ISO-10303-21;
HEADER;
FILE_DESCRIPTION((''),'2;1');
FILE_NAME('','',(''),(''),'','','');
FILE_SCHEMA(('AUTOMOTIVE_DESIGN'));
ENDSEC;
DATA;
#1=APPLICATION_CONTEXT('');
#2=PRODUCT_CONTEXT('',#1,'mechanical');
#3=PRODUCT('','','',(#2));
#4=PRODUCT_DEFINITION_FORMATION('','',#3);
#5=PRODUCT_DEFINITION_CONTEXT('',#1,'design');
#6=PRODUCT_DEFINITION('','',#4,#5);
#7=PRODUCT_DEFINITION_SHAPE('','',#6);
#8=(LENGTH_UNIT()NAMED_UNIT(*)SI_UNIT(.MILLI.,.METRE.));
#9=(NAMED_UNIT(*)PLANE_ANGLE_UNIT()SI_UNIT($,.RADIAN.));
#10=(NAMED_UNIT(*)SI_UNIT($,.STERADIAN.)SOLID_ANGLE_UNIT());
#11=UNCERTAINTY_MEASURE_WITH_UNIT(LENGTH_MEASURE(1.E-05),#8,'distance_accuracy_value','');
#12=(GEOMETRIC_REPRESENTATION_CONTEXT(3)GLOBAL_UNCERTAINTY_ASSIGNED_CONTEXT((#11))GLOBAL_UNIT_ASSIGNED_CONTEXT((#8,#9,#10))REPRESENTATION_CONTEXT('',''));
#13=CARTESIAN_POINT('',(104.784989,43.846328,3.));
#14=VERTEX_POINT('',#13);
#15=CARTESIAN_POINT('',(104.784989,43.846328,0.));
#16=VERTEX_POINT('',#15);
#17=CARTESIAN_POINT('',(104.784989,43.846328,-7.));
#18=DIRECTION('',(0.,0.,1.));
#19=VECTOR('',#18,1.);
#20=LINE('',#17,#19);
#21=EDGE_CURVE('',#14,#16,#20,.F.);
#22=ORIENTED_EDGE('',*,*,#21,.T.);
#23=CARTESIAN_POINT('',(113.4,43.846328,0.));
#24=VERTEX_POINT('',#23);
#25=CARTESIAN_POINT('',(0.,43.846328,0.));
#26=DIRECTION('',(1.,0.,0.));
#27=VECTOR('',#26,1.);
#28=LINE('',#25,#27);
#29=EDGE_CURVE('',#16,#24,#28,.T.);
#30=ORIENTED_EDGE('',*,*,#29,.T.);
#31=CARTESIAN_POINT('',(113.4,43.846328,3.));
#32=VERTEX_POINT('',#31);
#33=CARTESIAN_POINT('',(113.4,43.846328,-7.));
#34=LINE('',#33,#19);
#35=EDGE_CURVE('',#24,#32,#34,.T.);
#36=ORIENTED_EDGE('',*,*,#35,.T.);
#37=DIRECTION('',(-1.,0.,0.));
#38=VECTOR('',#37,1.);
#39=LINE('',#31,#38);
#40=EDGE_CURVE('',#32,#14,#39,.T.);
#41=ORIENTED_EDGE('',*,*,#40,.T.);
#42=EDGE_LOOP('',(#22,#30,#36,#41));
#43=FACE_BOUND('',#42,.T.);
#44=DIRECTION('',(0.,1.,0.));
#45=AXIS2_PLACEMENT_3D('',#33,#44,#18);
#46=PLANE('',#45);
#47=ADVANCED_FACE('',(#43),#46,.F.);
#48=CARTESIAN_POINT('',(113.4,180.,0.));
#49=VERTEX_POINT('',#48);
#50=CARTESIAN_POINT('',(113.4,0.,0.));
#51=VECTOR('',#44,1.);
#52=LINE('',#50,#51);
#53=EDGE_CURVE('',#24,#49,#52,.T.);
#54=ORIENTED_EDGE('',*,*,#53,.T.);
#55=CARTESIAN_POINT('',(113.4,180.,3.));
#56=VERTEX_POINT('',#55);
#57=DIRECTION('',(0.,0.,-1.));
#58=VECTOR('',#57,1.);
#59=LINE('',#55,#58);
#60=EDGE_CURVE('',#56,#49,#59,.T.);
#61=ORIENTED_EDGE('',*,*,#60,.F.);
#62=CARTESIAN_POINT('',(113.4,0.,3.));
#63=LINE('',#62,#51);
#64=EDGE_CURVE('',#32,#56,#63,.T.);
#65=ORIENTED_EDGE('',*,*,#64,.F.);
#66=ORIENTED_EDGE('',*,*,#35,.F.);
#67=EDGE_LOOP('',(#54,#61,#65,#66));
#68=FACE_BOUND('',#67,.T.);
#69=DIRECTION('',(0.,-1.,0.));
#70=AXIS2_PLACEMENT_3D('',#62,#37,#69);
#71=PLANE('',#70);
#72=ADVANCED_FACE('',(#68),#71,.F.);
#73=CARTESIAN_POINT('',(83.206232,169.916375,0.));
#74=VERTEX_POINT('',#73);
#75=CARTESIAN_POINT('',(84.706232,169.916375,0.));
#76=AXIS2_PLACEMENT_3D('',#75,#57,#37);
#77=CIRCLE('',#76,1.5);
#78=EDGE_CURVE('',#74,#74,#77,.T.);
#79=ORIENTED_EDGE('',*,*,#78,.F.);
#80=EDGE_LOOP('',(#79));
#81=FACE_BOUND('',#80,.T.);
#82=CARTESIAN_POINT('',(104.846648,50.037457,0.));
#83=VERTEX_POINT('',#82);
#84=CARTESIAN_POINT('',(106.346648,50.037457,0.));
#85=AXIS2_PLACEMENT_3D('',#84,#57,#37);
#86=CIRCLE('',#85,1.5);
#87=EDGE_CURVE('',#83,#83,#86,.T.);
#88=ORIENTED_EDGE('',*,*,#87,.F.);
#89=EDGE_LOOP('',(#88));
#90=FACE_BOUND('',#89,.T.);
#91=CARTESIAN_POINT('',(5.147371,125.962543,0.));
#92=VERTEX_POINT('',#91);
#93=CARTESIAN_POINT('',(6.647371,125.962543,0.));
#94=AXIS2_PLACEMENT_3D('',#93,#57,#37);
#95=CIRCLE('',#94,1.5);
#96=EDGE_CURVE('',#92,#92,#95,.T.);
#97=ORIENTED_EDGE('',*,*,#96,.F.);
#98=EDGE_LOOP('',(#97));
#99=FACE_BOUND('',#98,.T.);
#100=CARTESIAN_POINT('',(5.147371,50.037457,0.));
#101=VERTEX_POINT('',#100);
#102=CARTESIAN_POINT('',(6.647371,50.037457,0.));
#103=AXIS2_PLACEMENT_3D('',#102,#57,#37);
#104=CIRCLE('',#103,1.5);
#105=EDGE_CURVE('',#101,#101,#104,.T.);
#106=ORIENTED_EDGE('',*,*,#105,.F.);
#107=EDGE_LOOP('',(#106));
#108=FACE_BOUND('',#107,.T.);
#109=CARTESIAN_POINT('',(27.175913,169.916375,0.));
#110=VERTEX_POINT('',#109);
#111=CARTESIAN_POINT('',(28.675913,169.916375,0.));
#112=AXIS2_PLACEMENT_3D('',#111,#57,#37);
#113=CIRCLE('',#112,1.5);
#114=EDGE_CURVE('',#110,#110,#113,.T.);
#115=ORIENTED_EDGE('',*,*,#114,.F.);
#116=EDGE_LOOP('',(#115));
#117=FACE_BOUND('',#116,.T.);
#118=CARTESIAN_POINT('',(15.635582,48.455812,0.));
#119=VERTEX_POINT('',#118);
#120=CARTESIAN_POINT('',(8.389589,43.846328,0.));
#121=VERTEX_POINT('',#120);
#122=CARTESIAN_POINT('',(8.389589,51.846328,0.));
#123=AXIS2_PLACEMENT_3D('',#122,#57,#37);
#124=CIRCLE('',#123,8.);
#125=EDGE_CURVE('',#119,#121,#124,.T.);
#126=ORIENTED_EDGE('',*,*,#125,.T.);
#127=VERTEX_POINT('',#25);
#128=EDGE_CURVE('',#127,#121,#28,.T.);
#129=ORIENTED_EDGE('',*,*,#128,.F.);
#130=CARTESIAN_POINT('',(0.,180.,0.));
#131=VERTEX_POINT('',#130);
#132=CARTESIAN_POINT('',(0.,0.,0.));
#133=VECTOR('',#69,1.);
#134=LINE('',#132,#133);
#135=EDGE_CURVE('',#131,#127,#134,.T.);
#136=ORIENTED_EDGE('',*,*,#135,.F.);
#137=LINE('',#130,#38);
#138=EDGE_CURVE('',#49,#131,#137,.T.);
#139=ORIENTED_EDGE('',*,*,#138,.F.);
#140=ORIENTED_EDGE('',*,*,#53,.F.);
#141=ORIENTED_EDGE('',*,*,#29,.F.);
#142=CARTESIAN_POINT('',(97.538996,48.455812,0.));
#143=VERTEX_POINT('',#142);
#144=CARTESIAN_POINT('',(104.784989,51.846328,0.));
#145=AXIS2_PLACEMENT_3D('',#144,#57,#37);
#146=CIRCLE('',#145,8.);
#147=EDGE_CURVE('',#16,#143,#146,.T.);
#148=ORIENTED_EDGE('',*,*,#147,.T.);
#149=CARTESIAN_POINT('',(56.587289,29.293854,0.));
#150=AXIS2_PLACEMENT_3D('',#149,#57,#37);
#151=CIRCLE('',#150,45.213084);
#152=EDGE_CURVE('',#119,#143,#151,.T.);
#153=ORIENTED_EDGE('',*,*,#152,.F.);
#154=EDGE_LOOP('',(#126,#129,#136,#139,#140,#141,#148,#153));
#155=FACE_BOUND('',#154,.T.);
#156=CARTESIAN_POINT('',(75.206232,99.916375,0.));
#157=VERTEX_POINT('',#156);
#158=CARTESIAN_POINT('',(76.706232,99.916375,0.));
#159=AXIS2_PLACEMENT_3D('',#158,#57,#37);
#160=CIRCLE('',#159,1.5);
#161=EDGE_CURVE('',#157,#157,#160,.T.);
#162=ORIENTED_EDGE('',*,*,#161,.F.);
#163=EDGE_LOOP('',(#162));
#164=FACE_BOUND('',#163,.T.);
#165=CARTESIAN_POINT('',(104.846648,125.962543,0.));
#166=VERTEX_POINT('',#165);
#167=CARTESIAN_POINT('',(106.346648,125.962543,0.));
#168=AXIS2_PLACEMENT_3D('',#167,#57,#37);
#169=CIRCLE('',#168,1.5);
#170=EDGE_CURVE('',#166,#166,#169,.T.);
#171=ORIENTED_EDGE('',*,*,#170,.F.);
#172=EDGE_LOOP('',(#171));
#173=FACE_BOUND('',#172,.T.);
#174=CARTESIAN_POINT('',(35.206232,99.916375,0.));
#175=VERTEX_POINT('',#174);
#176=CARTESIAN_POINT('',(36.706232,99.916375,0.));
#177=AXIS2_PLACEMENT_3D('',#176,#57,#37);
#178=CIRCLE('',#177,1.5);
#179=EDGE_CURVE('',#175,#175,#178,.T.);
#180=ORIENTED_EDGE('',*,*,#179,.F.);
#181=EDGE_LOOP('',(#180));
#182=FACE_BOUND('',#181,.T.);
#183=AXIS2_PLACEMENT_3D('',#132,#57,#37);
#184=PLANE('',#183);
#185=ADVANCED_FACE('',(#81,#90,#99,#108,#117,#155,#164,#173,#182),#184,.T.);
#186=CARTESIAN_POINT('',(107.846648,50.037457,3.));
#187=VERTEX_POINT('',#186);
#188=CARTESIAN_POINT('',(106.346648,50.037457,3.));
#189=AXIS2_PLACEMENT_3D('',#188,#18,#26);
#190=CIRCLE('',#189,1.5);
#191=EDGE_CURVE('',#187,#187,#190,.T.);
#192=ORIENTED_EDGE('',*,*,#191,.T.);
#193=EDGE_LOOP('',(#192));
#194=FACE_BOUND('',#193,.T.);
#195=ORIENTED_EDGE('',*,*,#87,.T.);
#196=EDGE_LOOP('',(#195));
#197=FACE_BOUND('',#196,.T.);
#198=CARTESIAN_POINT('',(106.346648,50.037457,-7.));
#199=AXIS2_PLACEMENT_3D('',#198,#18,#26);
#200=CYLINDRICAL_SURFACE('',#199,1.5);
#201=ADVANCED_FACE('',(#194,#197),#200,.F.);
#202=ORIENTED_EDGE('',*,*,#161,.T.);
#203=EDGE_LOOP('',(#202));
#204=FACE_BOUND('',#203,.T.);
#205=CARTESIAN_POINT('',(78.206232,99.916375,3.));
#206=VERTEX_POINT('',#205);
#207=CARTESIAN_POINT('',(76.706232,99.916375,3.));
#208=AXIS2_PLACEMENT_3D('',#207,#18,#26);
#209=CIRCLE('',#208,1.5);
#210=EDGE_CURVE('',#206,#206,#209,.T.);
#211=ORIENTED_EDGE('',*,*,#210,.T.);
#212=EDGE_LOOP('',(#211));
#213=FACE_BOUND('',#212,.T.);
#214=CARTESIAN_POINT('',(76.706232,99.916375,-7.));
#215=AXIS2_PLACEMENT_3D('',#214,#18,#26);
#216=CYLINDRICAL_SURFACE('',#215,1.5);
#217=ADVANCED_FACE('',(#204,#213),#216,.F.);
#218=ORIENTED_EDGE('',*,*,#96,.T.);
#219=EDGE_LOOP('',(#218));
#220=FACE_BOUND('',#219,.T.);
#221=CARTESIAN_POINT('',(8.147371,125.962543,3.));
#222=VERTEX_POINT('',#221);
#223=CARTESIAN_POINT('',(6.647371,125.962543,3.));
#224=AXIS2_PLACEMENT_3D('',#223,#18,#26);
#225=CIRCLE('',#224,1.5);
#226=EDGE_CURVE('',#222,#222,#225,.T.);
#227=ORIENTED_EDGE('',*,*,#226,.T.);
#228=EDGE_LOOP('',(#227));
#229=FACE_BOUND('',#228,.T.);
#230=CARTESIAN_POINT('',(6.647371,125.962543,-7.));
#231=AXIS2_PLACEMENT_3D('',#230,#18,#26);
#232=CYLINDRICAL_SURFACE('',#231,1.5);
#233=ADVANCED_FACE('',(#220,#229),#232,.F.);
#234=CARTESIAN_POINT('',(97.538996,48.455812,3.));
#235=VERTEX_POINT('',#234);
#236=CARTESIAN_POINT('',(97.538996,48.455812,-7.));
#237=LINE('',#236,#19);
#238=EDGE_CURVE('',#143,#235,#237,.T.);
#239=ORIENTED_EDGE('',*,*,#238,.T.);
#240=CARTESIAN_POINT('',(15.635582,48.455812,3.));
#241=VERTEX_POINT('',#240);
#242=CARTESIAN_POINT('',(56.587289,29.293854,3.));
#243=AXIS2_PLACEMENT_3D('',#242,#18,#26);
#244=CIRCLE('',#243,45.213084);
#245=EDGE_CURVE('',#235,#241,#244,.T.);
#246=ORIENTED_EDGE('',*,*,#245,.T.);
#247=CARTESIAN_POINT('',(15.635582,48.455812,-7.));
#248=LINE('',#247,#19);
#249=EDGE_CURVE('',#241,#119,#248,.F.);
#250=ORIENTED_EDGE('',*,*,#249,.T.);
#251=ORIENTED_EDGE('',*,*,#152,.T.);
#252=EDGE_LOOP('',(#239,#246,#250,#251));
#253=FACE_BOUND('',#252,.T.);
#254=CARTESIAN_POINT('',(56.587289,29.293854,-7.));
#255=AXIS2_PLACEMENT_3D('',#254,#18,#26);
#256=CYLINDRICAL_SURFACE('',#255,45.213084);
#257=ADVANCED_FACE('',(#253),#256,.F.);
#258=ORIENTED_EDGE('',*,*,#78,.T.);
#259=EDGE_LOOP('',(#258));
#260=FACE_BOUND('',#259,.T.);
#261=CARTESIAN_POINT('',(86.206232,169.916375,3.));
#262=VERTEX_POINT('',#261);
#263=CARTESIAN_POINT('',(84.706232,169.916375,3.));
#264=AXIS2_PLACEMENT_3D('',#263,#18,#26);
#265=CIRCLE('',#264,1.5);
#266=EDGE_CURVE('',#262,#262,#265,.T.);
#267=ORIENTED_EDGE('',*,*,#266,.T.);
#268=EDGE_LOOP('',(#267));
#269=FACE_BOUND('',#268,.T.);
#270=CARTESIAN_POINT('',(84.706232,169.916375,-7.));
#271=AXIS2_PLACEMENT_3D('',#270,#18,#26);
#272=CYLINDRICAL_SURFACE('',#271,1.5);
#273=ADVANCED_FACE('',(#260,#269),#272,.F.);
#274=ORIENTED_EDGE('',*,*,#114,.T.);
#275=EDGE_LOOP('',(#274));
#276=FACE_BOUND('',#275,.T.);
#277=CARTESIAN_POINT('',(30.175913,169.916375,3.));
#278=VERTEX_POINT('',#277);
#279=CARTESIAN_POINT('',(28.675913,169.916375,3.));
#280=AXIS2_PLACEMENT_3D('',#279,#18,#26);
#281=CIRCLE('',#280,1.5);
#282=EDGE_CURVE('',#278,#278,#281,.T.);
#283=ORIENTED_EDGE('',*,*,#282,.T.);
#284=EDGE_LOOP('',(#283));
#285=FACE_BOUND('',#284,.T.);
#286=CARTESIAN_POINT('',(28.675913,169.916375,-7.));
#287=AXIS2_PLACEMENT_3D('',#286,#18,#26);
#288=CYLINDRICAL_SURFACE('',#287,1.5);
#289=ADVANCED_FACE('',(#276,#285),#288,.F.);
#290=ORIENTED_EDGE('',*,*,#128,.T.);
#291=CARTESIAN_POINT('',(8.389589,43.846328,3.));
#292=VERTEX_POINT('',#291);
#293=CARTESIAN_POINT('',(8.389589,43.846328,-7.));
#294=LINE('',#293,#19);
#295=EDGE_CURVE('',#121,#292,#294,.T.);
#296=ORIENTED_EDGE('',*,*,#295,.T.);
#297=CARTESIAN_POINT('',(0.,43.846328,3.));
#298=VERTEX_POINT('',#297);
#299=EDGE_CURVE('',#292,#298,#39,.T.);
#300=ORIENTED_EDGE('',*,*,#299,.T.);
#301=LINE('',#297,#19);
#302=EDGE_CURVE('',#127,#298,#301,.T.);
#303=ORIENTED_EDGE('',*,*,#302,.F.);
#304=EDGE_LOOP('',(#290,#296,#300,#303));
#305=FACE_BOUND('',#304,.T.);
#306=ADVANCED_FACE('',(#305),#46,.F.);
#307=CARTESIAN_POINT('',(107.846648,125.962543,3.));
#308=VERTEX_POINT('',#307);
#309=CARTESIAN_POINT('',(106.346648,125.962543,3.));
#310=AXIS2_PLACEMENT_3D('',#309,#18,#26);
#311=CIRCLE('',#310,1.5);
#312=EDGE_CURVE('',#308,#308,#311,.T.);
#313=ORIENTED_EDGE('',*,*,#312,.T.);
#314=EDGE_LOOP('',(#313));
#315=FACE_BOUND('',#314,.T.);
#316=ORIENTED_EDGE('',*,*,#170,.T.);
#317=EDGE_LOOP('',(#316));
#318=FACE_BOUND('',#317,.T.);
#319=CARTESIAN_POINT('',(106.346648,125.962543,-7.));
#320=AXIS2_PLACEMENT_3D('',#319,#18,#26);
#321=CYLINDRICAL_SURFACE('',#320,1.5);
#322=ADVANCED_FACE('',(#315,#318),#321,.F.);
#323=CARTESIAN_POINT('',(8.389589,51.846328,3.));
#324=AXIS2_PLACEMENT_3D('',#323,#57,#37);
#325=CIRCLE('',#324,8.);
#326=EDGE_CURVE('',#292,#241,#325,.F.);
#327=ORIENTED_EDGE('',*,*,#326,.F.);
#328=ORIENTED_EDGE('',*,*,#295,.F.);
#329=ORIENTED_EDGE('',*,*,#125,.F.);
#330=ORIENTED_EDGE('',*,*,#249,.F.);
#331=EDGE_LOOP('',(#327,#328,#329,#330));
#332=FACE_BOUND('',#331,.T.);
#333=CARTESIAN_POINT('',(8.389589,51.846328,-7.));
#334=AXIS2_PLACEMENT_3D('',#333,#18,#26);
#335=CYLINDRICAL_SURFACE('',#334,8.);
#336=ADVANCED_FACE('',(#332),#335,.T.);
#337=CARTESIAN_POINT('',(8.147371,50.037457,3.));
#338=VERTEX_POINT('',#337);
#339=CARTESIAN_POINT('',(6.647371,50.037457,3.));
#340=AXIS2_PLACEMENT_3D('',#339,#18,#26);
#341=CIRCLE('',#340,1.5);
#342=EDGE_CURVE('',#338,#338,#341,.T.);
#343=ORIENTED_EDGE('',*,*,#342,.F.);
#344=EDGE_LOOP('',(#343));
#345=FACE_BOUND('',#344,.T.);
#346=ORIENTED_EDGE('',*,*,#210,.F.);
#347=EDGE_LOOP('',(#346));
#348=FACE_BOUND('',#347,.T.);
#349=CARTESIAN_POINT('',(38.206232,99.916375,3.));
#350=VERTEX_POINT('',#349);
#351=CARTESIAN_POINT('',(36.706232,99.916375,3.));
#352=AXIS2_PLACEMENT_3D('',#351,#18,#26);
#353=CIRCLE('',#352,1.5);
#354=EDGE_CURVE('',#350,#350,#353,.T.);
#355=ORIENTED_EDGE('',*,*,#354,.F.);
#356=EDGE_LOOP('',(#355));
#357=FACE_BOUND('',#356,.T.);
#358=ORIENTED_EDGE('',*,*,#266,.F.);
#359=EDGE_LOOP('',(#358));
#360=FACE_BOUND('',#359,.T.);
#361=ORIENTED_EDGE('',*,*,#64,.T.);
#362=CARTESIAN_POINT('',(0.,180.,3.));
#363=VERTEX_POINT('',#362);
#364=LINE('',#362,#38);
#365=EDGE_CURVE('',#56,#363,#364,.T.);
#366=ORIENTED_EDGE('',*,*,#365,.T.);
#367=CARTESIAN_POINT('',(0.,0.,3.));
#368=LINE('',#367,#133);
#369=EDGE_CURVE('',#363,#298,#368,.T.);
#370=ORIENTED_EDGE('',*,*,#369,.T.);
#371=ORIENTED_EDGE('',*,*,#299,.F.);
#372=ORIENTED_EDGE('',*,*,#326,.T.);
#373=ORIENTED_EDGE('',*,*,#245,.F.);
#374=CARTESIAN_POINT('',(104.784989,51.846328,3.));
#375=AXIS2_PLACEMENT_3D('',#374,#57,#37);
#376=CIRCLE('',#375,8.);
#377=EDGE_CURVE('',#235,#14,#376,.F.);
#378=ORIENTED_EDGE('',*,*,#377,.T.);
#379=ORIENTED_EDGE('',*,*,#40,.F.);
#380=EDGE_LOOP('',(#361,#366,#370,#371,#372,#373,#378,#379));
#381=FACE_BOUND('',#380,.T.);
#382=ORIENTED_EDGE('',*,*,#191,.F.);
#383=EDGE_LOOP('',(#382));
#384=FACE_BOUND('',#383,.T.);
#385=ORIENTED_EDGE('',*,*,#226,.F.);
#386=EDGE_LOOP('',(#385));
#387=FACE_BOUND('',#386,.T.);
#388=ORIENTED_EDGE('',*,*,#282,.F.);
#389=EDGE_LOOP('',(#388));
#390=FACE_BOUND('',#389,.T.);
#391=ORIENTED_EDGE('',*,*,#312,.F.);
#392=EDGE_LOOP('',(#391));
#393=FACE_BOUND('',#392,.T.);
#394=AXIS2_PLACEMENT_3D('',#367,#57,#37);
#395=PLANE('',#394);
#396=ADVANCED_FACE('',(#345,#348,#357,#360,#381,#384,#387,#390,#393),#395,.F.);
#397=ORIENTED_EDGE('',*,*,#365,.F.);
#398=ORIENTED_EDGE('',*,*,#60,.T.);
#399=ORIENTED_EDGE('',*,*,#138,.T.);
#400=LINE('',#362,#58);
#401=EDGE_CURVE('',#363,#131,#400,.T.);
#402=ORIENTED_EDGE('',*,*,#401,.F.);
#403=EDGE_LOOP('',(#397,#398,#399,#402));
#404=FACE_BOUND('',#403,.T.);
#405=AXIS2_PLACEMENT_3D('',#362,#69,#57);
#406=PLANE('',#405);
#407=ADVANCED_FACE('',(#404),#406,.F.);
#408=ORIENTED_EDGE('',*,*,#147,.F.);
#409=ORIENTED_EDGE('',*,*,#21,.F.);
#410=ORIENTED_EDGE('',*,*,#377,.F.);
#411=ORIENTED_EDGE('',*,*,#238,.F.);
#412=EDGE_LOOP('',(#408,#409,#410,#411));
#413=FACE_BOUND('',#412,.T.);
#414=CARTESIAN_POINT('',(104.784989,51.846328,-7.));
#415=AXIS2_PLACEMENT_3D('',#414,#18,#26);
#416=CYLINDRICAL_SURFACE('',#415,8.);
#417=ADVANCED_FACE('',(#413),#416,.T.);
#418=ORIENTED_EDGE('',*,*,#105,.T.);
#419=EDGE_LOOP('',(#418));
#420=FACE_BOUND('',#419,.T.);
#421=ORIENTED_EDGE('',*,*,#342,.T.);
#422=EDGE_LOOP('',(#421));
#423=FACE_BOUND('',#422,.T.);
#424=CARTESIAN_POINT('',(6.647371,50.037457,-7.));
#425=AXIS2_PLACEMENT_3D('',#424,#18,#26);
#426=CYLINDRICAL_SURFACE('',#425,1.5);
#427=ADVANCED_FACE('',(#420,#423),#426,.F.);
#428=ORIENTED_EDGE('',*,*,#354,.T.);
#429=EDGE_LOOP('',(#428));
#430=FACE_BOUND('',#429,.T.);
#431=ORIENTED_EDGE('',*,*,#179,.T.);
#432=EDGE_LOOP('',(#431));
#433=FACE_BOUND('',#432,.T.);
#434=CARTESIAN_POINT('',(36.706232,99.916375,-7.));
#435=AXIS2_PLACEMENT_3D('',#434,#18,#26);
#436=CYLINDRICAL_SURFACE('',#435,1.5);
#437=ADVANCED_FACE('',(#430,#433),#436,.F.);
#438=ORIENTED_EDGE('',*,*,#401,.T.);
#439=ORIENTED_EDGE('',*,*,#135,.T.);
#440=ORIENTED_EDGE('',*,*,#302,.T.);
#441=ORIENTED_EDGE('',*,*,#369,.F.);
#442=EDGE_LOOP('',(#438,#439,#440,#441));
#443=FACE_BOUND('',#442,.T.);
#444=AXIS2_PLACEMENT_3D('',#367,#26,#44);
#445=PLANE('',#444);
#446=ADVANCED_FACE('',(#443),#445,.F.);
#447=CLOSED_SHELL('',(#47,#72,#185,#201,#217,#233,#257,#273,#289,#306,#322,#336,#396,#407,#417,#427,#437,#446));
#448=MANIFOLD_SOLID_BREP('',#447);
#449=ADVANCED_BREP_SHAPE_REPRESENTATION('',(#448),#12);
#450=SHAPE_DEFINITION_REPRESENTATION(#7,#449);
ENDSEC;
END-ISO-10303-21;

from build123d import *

# Parameters (mm, degrees)
ESQUISSE1_W             = 113.4
ESQUISSE1_H             = 180
BOSS_EXTRU_1_DEPTH      = 3
ESQUISSE2_R             = 1.5
ENL_V_MAT_EXTRU_1_DEPTH = 10
ESQUISSE3_R             = 1.5
ENL_V_MAT_EXTRU_2_DEPTH = 10
ESQUISSE5_W             = 114.090437321
ESQUISSE5_H             = 45.152715072
ENL_V_MAT_EXTRU_3_DEPTH = 10
ENL_V_MAT_EXTRU_4_DEPTH = 10
CONG_2_R                = 8


with BuildPart() as part:
    # Esquisse1 → Boss.-Extru.1 (new body)
    with BuildSketch(Plane.XY):
        with Locations((56.7, 90)):
            Rectangle(ESQUISSE1_W, ESQUISSE1_H)
    extrude(amount=BOSS_EXTRU_1_DEPTH)

    # Esquisse2 → Enlèv. mat.-Extru.1 (cut)
    with BuildSketch(Plane.XY.offset(3)):
        with Locations((106.346648171, 50.037457394)):
            Circle(ESQUISSE2_R)
        with Locations((6.647370572, 50.037457394)):
            Circle(ESQUISSE2_R)
        with Locations((6.647370572, 125.962542606)):
            Circle(ESQUISSE2_R)
        with Locations((106.346648171, 125.962542606)):
            Circle(ESQUISSE2_R)
    extrude(amount=-ENL_V_MAT_EXTRU_1_DEPTH, mode=Mode.SUBTRACT)

    # Esquisse3 → Enlèv. mat.-Extru.2 (cut)
    with BuildSketch(Plane.XY.offset(3)):
        with Locations((76.706231896, 99.916374803)):
            Circle(ESQUISSE3_R)
        with Locations((36.706231896, 99.916374803)):
            Circle(ESQUISSE3_R)
        with Locations((84.706231896, 169.916374803)):
            Circle(ESQUISSE3_R)
        with Locations((28.675912775, 169.916374803)):
            Circle(ESQUISSE3_R)
    extrude(amount=-ENL_V_MAT_EXTRU_2_DEPTH, mode=Mode.SUBTRACT)

    # Esquisse5 → Enlèv. mat.-Extru.3 (cut)
    with BuildSketch(Plane.XY.offset(3)):
        with Locations((56.35478134, 21.269970053)):
            Rectangle(ESQUISSE5_W, ESQUISSE5_H)
    extrude(amount=-ENL_V_MAT_EXTRU_3_DEPTH, mode=Mode.SUBTRACT)

    # Esquisse6 → Enlèv. mat.-Extru.4 (cut)
    with BuildSketch(Plane.XY.offset(3)):
        with BuildLine():
            Line((99.394396977, 43.846327589), (13.780181086, 43.846327589))
            ThreePointArc((13.780181086, 43.846327589), (56.587289031, 74.506937859), (99.394396977, 43.846327589))
        make_face()
    extrude(amount=-ENL_V_MAT_EXTRU_4_DEPTH, mode=Mode.SUBTRACT)

    # Congé2
    cong_2_edges = [part.edges().sort_by_distance(p)[0] for p in [
        (99.394396977, 43.846327589, 1.5),
        (13.780181086, 43.846327589, 1.5),
    ]]
    fillet(cong_2_edges, radius=CONG_2_R)


solid = part.part
